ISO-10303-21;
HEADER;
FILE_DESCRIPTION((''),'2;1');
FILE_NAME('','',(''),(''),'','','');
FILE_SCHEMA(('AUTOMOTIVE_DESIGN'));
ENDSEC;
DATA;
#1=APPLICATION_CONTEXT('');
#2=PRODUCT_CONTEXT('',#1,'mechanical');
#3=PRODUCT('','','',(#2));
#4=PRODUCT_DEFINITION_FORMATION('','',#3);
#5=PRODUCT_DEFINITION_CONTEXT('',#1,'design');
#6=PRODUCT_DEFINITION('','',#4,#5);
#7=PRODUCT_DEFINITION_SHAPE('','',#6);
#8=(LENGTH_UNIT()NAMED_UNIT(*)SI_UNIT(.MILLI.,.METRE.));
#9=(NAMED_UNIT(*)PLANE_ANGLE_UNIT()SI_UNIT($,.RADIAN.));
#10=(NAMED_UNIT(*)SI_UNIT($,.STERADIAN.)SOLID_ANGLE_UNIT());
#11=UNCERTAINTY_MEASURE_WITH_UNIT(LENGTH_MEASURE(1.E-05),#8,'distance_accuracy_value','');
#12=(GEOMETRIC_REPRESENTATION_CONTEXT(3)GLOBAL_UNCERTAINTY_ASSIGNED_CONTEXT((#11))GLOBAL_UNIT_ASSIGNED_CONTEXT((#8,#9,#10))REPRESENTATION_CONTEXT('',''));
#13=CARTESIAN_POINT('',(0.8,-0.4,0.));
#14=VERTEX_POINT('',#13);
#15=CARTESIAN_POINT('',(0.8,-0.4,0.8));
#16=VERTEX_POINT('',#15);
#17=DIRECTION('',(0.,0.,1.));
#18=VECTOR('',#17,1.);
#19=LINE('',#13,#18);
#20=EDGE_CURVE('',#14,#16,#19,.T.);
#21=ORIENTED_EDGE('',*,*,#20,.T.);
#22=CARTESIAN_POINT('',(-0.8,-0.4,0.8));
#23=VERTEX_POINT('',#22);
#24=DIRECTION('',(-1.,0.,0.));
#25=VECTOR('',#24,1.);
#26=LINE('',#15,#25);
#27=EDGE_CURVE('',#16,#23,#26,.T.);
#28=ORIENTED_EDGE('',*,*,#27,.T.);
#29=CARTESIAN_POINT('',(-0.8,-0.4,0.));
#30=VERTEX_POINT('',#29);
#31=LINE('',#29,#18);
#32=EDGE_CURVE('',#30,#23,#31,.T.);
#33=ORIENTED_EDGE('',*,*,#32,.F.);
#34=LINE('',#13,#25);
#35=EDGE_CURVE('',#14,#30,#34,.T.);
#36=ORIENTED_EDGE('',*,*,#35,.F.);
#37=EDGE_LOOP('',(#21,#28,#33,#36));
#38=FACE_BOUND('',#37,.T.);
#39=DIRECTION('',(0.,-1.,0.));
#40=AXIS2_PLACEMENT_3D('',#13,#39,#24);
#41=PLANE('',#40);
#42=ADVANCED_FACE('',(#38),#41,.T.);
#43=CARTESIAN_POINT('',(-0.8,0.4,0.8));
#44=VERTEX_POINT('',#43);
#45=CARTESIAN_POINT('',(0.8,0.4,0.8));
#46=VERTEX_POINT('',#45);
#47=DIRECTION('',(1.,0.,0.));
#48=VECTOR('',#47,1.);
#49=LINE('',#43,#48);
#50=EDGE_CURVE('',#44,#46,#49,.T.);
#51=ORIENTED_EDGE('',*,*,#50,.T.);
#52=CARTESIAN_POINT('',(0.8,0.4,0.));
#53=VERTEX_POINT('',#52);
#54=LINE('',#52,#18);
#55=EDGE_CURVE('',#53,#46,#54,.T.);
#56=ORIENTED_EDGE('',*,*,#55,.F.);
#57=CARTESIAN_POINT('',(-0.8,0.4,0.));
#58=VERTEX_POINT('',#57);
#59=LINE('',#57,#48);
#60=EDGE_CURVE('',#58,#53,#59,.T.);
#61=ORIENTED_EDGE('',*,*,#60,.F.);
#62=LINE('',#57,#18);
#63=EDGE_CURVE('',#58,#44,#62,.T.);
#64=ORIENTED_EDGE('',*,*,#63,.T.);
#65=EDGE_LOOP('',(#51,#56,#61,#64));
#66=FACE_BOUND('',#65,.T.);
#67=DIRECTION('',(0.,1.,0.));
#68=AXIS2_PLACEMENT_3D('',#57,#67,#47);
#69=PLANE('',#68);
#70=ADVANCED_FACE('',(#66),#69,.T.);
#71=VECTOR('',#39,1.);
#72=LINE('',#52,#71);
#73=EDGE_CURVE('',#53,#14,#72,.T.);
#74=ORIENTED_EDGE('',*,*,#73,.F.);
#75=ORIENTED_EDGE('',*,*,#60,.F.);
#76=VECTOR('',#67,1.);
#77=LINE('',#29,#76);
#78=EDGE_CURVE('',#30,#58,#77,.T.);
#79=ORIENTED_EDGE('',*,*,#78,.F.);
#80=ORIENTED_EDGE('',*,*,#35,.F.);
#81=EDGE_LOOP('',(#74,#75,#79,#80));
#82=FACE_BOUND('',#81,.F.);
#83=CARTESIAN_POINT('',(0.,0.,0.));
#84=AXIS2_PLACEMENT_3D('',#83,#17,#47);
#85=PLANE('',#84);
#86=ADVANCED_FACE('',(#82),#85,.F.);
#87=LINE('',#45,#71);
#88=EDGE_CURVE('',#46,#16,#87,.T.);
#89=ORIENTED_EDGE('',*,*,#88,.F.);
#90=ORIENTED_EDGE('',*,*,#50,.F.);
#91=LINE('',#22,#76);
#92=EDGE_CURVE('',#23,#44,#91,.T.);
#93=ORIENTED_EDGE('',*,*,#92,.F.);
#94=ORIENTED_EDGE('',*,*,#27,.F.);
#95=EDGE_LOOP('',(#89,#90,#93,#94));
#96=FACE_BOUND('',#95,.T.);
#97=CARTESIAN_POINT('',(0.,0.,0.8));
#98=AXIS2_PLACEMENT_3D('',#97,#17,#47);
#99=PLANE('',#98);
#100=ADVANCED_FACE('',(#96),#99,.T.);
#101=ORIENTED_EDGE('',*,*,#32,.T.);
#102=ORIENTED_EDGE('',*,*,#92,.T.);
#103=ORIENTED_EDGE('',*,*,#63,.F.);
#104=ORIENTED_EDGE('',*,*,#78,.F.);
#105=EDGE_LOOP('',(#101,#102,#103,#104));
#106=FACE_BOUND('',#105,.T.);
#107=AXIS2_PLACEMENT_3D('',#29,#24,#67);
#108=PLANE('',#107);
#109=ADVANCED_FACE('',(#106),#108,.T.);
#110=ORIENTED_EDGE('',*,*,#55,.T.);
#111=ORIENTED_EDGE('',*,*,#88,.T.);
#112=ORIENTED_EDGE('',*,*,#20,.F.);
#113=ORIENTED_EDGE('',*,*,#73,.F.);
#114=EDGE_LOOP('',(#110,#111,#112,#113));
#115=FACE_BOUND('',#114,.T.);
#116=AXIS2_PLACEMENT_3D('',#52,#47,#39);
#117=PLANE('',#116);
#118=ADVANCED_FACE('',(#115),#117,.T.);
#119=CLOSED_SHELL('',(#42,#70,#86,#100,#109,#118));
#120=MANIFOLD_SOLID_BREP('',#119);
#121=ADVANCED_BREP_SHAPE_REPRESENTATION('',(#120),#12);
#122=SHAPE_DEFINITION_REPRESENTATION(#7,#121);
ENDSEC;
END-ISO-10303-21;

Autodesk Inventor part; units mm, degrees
ref_plane "YZ Plane" through (0, 0, 0) normal (1, 0, 0) x (0, 1, 0)
ref_plane "XZ Plane" through (0, 0, 0) normal (0, 1, 0) x (-1, 0, 0)
ref_plane "XY Plane" through (0, 0, 0) normal (0, 0, 1) x (1, 0, 0)
sketch "C0603, 220nF_243" plane through (0, 0, 0) normal (0, 0, 1) x (1, 0, 0)
  line L0 (0.8, 0.4) -> (0.8, -0.4)
  line L1 (0.8, -0.4) -> (-0.8, -0.4)
  line L2 (-0.8, -0.4) -> (-0.8, 0.4)
  line L3 (-0.8, 0.4) -> (0.8, 0.4)
extrude "Extrusion1" add sketch "C0603, 220nF_243" along normal blind 0.8
properties part number "220nF"
